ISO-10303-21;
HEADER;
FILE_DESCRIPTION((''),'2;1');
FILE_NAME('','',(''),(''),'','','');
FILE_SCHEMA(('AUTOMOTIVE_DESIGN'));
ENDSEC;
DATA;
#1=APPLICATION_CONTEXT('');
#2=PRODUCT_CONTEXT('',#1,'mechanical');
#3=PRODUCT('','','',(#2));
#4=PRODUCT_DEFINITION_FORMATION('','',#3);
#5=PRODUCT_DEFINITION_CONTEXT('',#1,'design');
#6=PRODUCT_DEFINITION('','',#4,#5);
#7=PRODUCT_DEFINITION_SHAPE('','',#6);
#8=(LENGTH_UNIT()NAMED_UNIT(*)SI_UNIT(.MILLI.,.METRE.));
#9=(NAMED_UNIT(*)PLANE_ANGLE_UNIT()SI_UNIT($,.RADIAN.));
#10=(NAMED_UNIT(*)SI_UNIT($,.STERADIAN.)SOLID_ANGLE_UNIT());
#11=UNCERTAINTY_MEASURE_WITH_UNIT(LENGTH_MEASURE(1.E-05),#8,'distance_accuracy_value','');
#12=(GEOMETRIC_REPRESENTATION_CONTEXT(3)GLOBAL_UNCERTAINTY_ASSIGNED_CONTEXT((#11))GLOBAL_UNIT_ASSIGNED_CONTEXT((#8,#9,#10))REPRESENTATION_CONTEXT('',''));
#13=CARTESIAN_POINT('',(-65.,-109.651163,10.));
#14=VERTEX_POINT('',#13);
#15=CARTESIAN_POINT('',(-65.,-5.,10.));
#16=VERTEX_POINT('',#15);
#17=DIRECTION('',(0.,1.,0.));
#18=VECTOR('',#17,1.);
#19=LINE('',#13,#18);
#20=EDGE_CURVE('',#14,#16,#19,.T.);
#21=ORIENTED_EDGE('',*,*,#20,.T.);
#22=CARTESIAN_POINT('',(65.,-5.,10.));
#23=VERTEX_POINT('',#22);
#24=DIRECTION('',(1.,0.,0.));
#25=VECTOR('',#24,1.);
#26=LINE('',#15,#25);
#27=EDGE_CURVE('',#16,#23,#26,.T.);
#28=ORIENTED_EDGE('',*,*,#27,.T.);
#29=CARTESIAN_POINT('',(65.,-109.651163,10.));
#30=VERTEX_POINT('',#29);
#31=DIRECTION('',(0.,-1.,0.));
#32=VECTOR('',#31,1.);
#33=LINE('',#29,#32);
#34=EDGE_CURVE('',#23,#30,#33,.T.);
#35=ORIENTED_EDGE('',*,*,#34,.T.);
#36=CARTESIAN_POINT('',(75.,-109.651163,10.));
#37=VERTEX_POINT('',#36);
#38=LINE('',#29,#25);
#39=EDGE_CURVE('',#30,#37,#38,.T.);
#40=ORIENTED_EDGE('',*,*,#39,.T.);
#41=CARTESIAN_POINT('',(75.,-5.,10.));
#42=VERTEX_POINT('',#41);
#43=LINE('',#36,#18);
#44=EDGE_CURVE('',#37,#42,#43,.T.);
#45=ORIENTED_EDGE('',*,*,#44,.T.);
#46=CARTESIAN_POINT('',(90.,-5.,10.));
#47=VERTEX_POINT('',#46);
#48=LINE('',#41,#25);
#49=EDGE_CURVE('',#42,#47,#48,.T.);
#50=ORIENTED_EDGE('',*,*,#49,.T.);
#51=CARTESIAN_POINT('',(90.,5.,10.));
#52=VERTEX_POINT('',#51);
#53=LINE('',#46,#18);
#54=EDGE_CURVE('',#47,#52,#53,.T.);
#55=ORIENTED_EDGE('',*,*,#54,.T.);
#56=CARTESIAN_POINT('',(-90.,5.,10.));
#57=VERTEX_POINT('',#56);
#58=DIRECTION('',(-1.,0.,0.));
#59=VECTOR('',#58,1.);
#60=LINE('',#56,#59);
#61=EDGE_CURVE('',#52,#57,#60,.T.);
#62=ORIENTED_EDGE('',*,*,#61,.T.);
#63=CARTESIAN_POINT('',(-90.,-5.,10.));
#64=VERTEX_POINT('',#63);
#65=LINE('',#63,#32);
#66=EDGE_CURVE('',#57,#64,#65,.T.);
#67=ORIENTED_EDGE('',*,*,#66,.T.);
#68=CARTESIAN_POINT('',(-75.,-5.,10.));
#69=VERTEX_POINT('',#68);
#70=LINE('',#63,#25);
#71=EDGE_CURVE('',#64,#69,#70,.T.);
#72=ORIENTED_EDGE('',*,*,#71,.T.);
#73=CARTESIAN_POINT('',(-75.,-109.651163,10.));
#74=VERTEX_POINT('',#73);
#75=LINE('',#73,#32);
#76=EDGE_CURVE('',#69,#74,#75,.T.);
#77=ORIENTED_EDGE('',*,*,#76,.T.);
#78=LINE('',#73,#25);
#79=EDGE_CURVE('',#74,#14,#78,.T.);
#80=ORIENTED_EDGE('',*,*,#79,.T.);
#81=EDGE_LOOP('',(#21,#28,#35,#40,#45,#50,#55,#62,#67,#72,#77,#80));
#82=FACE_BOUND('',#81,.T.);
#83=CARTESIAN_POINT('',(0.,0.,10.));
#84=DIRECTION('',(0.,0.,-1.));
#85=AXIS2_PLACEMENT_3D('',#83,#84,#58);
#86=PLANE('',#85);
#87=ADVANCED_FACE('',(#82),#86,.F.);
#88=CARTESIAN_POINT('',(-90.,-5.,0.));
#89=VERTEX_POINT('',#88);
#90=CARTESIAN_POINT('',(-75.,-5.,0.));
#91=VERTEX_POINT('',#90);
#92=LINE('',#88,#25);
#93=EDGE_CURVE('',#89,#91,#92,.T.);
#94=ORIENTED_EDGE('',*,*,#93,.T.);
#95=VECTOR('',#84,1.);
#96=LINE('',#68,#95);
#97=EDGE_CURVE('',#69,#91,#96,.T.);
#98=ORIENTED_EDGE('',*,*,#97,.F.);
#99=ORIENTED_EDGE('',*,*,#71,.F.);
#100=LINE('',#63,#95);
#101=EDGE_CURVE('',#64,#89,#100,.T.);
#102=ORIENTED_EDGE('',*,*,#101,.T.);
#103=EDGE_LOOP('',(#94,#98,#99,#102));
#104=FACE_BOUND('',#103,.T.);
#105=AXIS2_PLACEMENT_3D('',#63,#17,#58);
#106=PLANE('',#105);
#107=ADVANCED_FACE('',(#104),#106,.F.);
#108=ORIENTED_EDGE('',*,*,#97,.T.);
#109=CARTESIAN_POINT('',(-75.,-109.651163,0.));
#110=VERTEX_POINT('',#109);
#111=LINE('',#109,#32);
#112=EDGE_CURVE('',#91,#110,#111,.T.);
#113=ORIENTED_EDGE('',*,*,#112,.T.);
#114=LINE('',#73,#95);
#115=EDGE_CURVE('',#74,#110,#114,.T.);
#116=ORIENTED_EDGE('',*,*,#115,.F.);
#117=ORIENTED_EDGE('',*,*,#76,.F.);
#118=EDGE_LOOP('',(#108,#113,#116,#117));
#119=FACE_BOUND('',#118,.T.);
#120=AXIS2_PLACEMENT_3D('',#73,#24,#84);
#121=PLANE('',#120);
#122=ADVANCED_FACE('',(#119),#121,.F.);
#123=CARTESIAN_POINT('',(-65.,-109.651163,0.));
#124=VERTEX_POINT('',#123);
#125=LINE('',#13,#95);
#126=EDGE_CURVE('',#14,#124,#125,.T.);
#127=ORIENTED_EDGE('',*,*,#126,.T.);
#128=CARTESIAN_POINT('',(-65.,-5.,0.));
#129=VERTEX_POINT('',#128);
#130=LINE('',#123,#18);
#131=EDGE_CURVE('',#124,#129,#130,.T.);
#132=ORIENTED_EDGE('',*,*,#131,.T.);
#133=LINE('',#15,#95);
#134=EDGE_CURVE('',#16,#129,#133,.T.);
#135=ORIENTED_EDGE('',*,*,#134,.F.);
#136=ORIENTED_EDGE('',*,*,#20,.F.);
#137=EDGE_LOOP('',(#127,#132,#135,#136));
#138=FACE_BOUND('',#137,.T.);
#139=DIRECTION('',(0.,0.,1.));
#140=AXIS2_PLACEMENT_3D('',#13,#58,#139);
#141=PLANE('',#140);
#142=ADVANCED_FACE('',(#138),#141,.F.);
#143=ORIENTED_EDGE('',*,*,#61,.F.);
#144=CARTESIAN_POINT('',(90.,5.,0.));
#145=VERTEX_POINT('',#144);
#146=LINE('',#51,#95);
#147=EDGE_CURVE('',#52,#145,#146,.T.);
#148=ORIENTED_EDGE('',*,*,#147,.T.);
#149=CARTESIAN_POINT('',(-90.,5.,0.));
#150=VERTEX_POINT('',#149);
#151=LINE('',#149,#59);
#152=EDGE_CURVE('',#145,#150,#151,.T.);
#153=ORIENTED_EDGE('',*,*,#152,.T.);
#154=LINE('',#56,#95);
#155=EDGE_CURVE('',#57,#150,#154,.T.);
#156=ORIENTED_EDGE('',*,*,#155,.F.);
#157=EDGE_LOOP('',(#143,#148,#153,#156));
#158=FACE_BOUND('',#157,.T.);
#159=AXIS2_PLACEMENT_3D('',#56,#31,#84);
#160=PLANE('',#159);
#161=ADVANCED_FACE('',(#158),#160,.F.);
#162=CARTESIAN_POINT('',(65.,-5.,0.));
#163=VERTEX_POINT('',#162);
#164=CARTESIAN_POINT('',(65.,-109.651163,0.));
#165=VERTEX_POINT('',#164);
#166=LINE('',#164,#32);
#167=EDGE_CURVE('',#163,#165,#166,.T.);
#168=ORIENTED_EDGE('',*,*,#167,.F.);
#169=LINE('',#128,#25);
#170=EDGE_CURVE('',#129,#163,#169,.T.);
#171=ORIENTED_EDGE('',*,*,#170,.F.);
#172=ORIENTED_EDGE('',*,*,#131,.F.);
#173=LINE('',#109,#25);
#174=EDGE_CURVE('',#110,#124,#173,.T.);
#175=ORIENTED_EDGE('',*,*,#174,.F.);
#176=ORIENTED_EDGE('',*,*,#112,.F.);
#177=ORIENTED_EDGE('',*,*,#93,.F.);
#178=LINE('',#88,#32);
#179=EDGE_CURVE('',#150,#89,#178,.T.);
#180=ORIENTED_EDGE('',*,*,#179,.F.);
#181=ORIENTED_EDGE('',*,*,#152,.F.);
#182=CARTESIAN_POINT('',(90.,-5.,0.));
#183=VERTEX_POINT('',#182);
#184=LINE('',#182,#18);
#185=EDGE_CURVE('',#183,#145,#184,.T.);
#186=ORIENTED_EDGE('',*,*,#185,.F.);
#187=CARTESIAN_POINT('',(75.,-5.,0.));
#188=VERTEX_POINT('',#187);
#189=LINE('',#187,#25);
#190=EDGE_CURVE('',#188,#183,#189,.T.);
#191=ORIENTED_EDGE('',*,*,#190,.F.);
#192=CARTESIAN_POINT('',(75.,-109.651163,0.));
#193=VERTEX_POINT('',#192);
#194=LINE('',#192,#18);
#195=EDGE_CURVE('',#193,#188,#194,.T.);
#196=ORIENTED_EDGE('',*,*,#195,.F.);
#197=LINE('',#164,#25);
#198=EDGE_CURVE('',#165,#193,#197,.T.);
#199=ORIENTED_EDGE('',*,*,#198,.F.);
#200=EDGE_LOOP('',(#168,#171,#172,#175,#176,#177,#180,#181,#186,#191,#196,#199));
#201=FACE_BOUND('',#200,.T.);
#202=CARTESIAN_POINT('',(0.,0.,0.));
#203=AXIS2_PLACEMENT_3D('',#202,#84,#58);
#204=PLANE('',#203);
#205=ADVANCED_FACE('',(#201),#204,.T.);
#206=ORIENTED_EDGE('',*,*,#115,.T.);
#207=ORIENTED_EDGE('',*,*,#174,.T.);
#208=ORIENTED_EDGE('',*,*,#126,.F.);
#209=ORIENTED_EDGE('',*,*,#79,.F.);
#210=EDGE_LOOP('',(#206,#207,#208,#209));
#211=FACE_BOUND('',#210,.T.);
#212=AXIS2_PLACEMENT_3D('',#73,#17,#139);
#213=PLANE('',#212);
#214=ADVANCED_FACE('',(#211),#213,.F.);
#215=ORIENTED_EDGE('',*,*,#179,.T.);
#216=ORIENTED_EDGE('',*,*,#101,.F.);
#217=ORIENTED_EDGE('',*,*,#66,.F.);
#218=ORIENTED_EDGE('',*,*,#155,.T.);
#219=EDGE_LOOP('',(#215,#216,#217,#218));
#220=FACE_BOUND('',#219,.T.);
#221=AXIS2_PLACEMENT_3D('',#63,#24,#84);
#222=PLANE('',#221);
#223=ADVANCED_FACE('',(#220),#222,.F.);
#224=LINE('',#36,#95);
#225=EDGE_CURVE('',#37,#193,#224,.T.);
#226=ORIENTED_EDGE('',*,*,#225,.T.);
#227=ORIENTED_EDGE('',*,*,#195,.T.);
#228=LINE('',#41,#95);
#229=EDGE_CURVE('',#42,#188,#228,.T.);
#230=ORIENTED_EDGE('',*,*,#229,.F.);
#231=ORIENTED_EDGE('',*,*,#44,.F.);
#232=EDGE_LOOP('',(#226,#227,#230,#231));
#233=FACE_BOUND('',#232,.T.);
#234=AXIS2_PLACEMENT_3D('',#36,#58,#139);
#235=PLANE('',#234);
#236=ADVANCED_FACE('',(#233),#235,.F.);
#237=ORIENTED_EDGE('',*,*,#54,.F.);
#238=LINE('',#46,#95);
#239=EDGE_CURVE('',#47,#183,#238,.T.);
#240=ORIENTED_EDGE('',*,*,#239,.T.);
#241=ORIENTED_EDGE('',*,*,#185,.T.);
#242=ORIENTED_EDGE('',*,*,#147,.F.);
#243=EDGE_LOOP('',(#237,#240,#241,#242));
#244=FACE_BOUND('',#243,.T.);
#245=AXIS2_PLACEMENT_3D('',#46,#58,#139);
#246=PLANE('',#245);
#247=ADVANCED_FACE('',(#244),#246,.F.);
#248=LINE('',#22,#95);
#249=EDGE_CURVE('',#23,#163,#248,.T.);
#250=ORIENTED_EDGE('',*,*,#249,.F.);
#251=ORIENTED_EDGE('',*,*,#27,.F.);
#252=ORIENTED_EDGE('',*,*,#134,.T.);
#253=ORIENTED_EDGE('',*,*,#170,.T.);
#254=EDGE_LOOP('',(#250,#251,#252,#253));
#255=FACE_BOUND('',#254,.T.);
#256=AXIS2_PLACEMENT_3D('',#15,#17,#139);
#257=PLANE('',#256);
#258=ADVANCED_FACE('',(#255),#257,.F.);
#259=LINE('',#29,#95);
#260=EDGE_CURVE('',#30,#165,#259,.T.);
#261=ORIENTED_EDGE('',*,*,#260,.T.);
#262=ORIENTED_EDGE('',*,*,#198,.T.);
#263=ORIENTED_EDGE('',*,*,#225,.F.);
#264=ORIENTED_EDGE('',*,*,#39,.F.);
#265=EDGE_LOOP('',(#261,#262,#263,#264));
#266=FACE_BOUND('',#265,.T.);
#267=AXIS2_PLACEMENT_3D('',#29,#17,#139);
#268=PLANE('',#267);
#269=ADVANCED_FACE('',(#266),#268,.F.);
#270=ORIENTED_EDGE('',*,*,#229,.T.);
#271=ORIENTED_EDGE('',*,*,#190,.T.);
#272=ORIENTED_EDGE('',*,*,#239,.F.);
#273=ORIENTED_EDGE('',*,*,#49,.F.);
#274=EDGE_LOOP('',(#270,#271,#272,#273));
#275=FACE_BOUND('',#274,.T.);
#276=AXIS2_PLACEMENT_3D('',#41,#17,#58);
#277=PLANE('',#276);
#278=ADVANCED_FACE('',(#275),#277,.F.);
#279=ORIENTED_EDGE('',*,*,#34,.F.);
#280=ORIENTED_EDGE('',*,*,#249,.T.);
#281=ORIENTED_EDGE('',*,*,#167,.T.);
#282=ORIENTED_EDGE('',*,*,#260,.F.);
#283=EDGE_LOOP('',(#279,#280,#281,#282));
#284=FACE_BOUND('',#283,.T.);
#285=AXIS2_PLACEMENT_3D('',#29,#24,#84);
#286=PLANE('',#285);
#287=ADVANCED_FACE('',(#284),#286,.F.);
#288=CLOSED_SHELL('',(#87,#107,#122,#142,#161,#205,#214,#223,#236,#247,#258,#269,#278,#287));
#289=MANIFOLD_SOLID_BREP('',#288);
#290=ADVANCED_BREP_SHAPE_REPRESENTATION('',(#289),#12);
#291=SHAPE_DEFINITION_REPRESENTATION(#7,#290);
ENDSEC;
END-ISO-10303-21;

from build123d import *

# Parameters (mm, degrees)
BOSS_EXTRUDE1_DEPTH = 10


with BuildPart() as part:
    # Sketch1 → Boss-Extrude1 (new body)
    with BuildSketch(Plane.XY):
        Polygon((-65, -5), (65, -5), (65, -109.651162791), (75, -109.651162791), (75, -5), (90, -5), (90, 5), (-90, 5), (-90, -5), (-75, -5), (-75, -109.651162791), (-65, -109.651162791), align=None)
    extrude(amount=BOSS_EXTRUDE1_DEPTH)


solid = part.part
